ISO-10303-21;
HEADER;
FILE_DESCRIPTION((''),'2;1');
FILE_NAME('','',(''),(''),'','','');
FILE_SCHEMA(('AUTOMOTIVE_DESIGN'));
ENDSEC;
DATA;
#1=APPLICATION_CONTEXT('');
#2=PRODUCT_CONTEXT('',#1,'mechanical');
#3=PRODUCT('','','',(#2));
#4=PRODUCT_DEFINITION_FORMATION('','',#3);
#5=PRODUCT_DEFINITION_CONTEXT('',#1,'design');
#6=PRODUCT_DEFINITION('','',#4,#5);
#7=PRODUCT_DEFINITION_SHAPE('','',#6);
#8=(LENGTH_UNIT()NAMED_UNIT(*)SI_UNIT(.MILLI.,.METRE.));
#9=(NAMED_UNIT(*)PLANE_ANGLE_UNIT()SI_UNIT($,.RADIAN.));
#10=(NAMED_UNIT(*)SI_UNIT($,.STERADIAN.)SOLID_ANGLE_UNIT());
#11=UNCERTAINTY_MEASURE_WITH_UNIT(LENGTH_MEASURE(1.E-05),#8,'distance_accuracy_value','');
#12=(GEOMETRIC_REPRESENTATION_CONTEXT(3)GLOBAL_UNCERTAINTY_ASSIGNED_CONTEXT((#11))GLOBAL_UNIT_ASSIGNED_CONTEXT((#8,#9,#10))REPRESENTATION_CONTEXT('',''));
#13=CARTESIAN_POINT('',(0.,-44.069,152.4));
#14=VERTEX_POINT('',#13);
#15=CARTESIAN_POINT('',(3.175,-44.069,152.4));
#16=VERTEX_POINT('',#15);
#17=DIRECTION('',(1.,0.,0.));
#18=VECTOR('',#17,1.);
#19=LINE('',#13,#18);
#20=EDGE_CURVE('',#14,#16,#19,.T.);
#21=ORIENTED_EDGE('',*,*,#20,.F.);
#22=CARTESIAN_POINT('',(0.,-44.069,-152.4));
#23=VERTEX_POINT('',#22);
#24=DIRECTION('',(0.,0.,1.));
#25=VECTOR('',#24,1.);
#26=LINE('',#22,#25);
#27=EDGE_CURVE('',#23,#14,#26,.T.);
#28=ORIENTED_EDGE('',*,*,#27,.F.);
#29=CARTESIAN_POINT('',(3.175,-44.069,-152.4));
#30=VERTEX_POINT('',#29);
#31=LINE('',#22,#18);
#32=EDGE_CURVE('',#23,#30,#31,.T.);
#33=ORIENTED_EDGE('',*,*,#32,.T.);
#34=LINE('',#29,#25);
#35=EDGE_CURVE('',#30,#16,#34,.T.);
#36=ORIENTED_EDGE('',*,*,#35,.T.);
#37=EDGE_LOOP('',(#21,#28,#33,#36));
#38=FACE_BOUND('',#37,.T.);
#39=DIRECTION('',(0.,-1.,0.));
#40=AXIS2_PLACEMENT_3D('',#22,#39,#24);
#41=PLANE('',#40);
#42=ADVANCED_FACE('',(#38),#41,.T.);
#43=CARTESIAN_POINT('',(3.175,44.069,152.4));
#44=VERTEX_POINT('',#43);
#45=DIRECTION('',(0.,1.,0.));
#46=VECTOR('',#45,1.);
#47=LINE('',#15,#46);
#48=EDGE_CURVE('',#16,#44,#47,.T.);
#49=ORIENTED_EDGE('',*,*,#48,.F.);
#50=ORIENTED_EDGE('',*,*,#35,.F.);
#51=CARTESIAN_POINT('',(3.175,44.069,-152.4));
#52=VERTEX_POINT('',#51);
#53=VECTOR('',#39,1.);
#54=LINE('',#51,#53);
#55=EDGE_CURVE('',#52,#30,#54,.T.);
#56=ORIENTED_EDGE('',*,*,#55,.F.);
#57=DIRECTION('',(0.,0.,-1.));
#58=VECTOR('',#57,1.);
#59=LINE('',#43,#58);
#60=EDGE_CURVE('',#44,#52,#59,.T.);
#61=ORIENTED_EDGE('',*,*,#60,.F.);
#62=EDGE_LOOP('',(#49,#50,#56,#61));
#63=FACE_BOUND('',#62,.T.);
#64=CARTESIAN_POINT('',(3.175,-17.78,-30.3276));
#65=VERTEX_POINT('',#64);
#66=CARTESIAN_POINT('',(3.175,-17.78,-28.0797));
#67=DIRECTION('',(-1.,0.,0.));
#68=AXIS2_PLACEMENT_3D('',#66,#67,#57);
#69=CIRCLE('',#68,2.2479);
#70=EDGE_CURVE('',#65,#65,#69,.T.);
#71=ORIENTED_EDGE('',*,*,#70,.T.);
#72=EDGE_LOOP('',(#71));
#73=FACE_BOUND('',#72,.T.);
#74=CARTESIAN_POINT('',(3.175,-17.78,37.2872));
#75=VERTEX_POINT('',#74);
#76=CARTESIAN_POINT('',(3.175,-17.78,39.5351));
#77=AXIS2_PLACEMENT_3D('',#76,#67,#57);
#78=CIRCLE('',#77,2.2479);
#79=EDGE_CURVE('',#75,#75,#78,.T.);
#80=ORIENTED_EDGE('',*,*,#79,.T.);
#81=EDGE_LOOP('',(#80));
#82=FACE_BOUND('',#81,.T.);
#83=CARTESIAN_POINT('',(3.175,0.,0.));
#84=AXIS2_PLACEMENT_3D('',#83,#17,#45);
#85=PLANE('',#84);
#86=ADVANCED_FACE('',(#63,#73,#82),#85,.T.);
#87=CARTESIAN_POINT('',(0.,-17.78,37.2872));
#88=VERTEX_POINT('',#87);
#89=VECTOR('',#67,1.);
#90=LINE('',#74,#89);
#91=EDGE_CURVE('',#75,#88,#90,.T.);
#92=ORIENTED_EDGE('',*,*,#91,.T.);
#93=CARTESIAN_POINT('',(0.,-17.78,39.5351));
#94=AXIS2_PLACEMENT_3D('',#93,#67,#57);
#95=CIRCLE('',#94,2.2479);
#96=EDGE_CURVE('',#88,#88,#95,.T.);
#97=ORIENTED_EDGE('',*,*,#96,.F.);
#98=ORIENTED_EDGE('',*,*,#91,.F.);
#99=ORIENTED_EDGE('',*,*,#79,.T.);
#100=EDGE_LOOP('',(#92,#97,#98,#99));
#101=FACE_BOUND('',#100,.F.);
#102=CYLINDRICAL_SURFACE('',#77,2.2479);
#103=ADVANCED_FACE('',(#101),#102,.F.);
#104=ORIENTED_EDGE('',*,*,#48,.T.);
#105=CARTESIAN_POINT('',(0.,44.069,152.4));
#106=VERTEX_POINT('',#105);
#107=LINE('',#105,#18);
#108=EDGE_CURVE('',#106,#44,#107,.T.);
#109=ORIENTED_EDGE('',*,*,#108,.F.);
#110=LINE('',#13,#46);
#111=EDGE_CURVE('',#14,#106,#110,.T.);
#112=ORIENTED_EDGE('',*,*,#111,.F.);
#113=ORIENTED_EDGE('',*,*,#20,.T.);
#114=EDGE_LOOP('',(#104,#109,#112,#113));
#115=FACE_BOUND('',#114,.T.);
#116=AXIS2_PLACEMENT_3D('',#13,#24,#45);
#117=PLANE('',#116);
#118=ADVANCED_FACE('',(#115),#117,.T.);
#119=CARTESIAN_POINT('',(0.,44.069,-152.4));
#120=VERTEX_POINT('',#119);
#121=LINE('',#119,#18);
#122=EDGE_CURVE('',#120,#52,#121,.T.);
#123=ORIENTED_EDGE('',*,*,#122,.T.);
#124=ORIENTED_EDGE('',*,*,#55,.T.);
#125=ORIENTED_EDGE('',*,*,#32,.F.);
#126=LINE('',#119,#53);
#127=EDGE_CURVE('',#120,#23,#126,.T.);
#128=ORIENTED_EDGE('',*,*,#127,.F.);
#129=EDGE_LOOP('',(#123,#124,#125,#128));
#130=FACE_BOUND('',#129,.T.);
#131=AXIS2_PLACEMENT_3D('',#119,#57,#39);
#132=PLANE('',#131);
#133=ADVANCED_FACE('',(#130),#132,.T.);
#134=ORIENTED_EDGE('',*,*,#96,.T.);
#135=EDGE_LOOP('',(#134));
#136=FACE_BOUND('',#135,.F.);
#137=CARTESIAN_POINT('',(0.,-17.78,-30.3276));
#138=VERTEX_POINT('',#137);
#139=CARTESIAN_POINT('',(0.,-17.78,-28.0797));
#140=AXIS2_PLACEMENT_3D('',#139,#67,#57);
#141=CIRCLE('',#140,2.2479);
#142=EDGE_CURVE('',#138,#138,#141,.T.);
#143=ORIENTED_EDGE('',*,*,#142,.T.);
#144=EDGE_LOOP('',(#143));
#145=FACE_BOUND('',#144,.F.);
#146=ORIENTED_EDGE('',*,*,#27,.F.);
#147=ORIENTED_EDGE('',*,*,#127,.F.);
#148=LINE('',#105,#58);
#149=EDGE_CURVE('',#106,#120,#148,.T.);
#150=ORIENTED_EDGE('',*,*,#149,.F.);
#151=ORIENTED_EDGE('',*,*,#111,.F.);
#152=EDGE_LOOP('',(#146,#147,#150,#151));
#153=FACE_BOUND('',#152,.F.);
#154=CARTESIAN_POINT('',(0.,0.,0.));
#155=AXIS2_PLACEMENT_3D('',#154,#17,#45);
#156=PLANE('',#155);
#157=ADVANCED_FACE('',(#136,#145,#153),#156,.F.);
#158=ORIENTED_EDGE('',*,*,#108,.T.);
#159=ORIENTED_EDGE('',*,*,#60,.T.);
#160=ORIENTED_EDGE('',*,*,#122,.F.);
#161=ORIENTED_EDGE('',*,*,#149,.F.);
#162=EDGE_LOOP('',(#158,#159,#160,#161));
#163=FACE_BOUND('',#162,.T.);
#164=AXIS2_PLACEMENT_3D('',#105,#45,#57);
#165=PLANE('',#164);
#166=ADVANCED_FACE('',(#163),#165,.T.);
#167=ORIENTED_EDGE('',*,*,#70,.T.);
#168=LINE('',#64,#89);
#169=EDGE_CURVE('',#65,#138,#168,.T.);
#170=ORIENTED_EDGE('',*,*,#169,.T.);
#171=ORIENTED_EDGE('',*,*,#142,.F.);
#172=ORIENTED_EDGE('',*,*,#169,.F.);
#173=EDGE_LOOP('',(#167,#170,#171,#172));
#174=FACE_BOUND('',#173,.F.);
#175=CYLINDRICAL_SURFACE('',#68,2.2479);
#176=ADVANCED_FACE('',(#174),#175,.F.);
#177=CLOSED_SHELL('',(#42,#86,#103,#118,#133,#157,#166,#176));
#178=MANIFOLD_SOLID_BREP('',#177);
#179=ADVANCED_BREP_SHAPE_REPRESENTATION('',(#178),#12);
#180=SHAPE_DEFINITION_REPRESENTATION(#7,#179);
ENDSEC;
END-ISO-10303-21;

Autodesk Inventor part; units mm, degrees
ref_plane "YZ Plane" through (0, 0, 0) normal (1, 0, 0) x (0, 1, 0)
ref_plane "XZ Plane" through (0, 0, 0) normal (0, 1, 0) x (-1, 0, 0)
ref_plane "XY Plane" through (0, 0, 0) normal (0, 0, 1) x (1, 0, 0)
sketch "Sketch1" plane through (0, 0, 0) normal (1, 0, 0) x (0, 1, 0)
  line L0 (-44.069, 152.4) -> (44.069, 152.4)
  line L1 (44.069, 152.4) -> (44.069, -152.4)
  line L2 (44.069, -152.4) -> (-44.069, -152.4)
  line L3 (-44.069, -152.4) -> (-44.069, 152.4)
  line L4 (-44.069, 152.4) -> (44.069, -152.4) construction
  line L5 (44.069, 152.4) -> (-44.069, -152.4) construction
  point P0 (0, 0)
  dimension "d0" = 304.8
  dimension "d1" = 88.138
extrude "Extrusion1" add sketch "Sketch1" along normal blind 3.175
sketch "Sketch2" plane through (3.175, 0, 0) normal (1, 0, 0) x (0, 0, -1)
  line L0 (-73.3679, -44.069) -> (61.9125, -44.069) construction
  line L1 (61.9125, -44.069) -> (61.9125, 0.127) construction
  line L2 (61.9125, 0.127) -> (-73.3679, 0.127) construction
  line L3 (-73.3679, 0.127) -> (-73.3679, -44.069) construction
  line L4 (-73.3679, -44.069) -> (61.9125, 0.127) construction
  line L5 (61.9125, -44.069) -> (-73.3679, 0.127) construction
  line L6 (152.4, -44.069) -> (152.4, 44.069) construction
  line L7 (-152.4, -44.069) -> (152.4, -44.069) construction
  point P0 (0, 0)
  point P1 (-5.7277, -21.971)
  point P2 (10.6003, -44.069)
  dimension "d4" = 135.2804
  dimension "d5" = 44.196
  dimension "d6" = 90.4875
sketch "Sketch3" plane through (3.175, 0, 0) normal (1, 0, 0) x (0, 0, -1)
  line L0 (-39.5351, -17.78) -> (28.0797, -17.78) construction
  line L1 (-152.4, -44.069) -> (152.4, -44.069) construction
  line L2 (61.9125, -44.069) -> (61.9125, 0.127) construction
  line L3 (-73.3679, 0.127) -> (-73.3679, -44.069) construction
  point P0 (0, 0)
  dimension "d7" = 26.289
  dimension "d8" = 33.8328
  dimension "d9" = 33.8328
hole "Hole1" at (3.175, -17.78, 39.5351) at (3.175, -17.78, -28.0797) direction (-1, 0, 0) diameter 4.4958 end through all clearance for "Countersunk Flat Head Screw ISO 2009/7046" size "M4" standard "ISO"
properties part number "nmt_sidepanel_12in"
